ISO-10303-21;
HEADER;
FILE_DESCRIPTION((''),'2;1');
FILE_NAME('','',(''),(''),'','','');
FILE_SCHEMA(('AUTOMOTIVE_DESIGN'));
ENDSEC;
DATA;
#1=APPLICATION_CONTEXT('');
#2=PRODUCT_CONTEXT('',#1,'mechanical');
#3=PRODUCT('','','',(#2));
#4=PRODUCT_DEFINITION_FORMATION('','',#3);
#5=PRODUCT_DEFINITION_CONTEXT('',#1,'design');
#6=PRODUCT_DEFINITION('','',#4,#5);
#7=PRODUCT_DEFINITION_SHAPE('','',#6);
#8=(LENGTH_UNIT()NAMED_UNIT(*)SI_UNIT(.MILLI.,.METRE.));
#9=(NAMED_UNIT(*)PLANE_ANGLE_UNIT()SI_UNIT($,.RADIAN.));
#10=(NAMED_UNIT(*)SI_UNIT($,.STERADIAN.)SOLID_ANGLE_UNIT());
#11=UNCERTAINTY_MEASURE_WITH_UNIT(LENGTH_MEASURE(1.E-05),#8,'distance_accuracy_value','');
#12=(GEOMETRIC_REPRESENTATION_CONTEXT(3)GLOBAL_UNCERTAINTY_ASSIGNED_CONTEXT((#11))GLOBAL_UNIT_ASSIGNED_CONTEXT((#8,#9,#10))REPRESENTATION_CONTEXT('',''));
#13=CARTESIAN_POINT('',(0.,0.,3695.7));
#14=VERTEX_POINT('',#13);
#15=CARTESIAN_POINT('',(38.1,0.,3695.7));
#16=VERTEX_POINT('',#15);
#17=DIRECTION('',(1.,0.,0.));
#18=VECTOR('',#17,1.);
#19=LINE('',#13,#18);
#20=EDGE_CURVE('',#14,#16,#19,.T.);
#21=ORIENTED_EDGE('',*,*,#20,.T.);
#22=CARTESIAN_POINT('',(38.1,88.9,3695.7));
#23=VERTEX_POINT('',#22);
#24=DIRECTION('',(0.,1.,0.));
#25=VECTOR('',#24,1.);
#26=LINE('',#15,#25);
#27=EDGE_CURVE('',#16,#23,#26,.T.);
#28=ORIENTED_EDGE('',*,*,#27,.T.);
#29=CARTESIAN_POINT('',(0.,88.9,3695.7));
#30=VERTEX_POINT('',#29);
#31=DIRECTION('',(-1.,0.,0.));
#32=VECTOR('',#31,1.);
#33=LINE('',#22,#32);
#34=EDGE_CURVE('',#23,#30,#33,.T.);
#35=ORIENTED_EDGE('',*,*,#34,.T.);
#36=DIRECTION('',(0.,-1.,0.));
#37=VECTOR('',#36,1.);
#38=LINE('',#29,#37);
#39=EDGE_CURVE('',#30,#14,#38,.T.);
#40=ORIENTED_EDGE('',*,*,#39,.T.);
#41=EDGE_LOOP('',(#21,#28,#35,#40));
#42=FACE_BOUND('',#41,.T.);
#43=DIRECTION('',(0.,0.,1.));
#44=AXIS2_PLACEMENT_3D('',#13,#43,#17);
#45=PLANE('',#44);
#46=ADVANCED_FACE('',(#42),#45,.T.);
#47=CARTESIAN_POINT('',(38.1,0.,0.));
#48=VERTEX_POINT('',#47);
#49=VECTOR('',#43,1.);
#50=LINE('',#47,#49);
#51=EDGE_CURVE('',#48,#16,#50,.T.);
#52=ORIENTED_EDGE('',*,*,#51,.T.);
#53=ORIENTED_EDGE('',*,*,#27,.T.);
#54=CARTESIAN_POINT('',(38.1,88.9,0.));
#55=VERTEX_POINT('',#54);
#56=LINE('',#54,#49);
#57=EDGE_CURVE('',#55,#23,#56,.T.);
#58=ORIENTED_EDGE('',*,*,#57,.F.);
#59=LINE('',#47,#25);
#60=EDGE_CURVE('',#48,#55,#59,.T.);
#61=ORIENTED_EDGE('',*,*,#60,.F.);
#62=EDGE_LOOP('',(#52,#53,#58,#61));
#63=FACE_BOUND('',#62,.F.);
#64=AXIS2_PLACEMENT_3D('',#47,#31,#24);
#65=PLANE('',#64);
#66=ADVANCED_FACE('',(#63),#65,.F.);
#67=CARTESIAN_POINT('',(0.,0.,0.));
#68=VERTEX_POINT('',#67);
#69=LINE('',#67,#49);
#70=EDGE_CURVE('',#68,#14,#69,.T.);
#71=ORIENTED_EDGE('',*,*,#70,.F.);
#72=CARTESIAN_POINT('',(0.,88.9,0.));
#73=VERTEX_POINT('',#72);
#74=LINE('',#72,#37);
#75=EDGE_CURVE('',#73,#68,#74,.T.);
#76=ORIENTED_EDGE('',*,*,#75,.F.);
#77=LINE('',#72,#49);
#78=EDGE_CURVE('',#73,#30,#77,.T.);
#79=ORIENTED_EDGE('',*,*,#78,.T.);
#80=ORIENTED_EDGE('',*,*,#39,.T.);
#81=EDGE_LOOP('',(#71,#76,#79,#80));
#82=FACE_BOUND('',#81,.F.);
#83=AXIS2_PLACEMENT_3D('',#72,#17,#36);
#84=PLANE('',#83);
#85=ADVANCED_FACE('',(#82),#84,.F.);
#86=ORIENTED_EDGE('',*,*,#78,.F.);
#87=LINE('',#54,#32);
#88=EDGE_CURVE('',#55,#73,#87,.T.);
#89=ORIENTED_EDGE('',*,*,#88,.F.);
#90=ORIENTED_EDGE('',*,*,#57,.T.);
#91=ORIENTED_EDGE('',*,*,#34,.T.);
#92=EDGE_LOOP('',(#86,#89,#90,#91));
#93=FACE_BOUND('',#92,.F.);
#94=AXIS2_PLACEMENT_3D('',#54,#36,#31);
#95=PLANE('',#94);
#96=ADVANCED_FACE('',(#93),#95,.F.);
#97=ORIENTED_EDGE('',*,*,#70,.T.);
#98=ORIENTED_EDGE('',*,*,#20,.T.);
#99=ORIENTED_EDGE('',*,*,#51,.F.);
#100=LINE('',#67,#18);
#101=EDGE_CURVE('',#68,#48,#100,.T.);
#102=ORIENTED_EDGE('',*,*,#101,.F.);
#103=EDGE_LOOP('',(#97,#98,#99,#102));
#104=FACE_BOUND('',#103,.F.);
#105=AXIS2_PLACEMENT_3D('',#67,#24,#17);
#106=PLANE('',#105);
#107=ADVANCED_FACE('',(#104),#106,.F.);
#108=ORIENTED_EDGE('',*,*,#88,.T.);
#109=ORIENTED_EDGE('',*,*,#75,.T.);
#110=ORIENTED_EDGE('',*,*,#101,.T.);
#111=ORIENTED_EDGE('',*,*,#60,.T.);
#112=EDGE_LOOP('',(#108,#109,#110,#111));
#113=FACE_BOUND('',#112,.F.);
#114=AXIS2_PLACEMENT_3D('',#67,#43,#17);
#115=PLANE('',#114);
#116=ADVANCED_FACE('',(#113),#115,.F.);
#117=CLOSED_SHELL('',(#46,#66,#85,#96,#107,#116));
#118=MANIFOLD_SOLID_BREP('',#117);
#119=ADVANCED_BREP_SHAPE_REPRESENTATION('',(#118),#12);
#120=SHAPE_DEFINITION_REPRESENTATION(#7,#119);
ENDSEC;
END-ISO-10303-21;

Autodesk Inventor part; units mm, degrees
ref_plane "YZ Plane" through (0, 0, 0) normal (1, 0, 0) x (0, 1, 0)
ref_plane "XZ Plane" through (0, 0, 0) normal (0, 1, 0) x (-1, 0, 0)
ref_plane "XY Plane" through (0, 0, 0) normal (0, 0, 1) x (1, 0, 0)
sketch "Sketch2" plane through (0, 0, 0) normal (0, 0, 1) x (1, 0, 0)
  line L0 (0, 0) -> (38.1, 0)
  line L1 (38.1, 0) -> (38.1, 88.9)
  line L2 (38.1, 88.9) -> (0, 88.9)
  line L3 (0, 88.9) -> (0, 0)
  dimension "d0" = 38.1
  dimension "d1" = 88.9
extrude "Extrusion1" add sketch "Sketch2" along normal blind 3695.7
properties part number "2by4by12" material "Wood (Cherry)"
